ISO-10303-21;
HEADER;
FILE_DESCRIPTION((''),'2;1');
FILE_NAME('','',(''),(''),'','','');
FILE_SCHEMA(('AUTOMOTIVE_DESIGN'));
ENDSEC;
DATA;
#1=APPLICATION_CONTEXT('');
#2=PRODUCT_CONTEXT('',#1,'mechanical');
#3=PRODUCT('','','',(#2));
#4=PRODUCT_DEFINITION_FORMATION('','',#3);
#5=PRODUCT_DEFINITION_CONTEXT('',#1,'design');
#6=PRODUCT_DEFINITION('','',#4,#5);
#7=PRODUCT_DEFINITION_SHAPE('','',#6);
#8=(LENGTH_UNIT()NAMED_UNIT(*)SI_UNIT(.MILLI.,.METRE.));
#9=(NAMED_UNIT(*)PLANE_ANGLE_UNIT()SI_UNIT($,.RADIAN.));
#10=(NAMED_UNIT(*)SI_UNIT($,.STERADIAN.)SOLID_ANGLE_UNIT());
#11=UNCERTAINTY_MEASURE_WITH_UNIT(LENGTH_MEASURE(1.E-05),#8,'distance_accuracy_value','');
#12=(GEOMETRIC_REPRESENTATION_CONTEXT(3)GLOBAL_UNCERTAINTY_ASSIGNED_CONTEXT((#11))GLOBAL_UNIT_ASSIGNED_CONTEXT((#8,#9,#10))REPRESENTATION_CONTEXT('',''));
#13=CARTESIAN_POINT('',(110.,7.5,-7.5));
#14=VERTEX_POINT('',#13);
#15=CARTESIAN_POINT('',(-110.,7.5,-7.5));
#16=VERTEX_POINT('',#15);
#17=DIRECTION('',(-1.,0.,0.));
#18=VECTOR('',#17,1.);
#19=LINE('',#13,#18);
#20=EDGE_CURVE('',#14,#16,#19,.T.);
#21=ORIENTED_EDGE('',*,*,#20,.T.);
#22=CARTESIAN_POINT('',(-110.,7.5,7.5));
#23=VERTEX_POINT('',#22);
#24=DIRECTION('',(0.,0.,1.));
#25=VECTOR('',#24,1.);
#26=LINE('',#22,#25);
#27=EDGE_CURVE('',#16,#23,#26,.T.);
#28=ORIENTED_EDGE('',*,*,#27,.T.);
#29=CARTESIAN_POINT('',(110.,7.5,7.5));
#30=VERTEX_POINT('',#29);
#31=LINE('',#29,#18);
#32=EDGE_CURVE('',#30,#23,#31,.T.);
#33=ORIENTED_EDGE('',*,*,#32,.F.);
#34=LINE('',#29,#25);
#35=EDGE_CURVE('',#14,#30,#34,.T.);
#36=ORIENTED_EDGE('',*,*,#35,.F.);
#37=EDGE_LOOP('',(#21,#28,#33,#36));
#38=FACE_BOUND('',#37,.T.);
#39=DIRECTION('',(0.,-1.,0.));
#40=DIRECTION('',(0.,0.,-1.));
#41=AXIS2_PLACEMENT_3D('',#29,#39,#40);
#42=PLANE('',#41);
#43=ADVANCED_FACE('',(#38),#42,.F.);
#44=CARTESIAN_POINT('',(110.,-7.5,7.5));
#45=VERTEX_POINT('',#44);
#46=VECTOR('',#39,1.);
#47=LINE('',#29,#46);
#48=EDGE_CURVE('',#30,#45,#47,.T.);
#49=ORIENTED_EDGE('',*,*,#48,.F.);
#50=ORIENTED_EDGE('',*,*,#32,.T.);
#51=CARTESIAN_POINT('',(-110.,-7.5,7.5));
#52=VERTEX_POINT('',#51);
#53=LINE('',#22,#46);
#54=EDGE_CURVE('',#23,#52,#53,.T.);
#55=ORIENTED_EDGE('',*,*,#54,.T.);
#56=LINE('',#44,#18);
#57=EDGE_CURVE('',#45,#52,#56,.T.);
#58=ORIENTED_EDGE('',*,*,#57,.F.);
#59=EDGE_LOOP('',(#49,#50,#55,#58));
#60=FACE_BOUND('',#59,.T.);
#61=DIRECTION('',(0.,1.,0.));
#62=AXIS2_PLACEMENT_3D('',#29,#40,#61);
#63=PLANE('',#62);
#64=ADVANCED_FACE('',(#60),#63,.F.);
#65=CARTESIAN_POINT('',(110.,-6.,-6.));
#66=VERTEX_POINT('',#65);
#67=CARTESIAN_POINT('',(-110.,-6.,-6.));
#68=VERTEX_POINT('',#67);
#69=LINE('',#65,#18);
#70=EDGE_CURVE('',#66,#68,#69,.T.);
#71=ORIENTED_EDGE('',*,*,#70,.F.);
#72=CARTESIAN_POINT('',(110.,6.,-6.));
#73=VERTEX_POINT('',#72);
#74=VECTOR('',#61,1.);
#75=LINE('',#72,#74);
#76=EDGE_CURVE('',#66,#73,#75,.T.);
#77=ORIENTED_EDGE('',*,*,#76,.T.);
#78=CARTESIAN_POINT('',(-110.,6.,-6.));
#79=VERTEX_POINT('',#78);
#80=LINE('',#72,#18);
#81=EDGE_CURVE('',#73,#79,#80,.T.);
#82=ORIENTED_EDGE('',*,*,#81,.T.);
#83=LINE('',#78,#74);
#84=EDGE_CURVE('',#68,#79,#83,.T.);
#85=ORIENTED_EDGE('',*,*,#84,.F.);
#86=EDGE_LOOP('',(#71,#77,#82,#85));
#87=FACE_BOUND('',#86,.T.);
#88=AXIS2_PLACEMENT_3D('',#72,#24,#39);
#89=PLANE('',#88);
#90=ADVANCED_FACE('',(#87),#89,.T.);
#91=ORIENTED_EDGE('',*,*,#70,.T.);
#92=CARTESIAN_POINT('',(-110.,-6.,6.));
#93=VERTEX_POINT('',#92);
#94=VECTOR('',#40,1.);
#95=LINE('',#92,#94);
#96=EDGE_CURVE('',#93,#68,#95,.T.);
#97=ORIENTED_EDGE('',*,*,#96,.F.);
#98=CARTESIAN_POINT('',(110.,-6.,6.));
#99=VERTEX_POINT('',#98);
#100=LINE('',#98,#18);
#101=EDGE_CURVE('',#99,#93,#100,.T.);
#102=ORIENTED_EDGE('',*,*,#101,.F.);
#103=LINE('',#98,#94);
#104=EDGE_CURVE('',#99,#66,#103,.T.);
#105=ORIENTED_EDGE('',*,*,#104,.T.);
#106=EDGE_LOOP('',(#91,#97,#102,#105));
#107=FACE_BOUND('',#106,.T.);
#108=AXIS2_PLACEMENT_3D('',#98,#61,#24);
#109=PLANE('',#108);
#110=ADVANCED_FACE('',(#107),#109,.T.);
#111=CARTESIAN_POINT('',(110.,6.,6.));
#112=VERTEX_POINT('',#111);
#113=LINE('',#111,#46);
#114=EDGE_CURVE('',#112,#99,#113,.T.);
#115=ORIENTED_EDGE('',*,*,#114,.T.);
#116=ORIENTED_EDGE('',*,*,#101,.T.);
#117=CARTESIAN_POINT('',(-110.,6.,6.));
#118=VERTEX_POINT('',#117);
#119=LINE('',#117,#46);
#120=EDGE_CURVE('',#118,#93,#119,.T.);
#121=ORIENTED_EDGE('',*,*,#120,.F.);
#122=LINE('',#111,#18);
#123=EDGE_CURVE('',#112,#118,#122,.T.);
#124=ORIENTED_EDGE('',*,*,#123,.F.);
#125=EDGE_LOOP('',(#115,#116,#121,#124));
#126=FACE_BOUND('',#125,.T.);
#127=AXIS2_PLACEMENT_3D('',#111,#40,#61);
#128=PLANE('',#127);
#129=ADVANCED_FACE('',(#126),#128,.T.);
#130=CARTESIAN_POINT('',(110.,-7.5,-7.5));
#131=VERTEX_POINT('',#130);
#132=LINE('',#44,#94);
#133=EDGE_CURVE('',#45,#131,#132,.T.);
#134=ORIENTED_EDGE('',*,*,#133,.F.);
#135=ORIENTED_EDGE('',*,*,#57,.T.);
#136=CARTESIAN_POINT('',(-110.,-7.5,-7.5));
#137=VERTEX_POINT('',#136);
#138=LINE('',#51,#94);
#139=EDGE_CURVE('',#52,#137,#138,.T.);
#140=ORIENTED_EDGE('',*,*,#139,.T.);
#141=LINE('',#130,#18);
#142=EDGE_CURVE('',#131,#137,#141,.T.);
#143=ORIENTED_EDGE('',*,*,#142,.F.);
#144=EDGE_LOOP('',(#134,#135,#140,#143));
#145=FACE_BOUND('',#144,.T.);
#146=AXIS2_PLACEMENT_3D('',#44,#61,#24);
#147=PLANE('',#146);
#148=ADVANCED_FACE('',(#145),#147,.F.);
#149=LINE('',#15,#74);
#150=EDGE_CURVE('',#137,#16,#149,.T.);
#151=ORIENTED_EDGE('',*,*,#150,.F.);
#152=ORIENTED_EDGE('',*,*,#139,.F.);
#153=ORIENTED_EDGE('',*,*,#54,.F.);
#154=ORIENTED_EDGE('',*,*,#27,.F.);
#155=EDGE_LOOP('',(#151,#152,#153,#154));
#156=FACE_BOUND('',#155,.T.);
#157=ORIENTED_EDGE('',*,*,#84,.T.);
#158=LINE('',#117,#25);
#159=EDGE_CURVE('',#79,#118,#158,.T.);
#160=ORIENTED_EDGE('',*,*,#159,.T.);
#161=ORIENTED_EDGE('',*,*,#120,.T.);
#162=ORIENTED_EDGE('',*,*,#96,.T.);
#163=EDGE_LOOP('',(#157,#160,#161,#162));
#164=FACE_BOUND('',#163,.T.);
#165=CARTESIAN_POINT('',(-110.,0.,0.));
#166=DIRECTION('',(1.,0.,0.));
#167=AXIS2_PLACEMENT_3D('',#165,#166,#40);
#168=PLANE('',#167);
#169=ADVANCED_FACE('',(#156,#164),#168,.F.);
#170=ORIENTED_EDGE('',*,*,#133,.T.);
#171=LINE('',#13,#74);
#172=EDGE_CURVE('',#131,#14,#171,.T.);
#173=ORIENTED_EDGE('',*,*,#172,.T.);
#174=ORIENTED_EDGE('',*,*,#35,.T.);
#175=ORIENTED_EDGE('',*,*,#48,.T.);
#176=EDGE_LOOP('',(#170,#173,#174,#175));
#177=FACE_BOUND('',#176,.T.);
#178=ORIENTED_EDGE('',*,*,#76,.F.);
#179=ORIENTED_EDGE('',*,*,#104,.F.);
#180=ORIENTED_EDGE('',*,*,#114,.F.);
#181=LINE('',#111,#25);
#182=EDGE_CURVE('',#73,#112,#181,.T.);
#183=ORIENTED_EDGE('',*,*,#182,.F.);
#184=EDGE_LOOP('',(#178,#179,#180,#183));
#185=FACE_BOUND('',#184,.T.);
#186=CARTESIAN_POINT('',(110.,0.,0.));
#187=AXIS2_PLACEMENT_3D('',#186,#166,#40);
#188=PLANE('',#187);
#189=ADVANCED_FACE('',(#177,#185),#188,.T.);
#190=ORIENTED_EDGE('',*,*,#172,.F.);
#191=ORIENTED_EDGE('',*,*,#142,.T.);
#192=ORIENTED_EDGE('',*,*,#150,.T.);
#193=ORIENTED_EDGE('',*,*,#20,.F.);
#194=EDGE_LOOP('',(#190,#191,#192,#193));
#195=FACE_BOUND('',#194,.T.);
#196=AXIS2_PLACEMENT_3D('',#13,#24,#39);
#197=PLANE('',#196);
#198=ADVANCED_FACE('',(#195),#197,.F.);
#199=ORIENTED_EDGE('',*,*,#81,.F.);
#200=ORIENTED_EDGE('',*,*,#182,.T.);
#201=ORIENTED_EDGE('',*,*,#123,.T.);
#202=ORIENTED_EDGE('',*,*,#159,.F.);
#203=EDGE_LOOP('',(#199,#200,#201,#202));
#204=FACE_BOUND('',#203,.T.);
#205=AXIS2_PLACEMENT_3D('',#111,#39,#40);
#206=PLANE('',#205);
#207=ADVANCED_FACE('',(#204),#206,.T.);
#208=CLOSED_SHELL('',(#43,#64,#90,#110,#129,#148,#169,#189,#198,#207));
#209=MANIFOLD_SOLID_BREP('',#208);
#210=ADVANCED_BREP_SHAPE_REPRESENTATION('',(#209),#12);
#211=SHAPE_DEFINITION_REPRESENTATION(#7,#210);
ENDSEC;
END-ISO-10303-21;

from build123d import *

# Parameters (mm, degrees)
SKETCH1_W           = 15
SKETCH1_H           = 15
SKETCH1_W_2         = 12
SKETCH1_H_2         = 12
BOSS_EXTRUDE1_DEPTH = 110


with BuildPart() as part:
    # Sketch1 → Boss-Extrude1 (new body, symmetric)
    with BuildSketch(Plane(origin=(0, 0, 0), x_dir=(0, 0, -1), z_dir=(1, 0, 0))):
        Rectangle(SKETCH1_W, SKETCH1_H)
        Rectangle(SKETCH1_W_2, SKETCH1_H_2, mode=Mode.SUBTRACT)
    extrude(amount=BOSS_EXTRUDE1_DEPTH, both=True)


solid = part.part
